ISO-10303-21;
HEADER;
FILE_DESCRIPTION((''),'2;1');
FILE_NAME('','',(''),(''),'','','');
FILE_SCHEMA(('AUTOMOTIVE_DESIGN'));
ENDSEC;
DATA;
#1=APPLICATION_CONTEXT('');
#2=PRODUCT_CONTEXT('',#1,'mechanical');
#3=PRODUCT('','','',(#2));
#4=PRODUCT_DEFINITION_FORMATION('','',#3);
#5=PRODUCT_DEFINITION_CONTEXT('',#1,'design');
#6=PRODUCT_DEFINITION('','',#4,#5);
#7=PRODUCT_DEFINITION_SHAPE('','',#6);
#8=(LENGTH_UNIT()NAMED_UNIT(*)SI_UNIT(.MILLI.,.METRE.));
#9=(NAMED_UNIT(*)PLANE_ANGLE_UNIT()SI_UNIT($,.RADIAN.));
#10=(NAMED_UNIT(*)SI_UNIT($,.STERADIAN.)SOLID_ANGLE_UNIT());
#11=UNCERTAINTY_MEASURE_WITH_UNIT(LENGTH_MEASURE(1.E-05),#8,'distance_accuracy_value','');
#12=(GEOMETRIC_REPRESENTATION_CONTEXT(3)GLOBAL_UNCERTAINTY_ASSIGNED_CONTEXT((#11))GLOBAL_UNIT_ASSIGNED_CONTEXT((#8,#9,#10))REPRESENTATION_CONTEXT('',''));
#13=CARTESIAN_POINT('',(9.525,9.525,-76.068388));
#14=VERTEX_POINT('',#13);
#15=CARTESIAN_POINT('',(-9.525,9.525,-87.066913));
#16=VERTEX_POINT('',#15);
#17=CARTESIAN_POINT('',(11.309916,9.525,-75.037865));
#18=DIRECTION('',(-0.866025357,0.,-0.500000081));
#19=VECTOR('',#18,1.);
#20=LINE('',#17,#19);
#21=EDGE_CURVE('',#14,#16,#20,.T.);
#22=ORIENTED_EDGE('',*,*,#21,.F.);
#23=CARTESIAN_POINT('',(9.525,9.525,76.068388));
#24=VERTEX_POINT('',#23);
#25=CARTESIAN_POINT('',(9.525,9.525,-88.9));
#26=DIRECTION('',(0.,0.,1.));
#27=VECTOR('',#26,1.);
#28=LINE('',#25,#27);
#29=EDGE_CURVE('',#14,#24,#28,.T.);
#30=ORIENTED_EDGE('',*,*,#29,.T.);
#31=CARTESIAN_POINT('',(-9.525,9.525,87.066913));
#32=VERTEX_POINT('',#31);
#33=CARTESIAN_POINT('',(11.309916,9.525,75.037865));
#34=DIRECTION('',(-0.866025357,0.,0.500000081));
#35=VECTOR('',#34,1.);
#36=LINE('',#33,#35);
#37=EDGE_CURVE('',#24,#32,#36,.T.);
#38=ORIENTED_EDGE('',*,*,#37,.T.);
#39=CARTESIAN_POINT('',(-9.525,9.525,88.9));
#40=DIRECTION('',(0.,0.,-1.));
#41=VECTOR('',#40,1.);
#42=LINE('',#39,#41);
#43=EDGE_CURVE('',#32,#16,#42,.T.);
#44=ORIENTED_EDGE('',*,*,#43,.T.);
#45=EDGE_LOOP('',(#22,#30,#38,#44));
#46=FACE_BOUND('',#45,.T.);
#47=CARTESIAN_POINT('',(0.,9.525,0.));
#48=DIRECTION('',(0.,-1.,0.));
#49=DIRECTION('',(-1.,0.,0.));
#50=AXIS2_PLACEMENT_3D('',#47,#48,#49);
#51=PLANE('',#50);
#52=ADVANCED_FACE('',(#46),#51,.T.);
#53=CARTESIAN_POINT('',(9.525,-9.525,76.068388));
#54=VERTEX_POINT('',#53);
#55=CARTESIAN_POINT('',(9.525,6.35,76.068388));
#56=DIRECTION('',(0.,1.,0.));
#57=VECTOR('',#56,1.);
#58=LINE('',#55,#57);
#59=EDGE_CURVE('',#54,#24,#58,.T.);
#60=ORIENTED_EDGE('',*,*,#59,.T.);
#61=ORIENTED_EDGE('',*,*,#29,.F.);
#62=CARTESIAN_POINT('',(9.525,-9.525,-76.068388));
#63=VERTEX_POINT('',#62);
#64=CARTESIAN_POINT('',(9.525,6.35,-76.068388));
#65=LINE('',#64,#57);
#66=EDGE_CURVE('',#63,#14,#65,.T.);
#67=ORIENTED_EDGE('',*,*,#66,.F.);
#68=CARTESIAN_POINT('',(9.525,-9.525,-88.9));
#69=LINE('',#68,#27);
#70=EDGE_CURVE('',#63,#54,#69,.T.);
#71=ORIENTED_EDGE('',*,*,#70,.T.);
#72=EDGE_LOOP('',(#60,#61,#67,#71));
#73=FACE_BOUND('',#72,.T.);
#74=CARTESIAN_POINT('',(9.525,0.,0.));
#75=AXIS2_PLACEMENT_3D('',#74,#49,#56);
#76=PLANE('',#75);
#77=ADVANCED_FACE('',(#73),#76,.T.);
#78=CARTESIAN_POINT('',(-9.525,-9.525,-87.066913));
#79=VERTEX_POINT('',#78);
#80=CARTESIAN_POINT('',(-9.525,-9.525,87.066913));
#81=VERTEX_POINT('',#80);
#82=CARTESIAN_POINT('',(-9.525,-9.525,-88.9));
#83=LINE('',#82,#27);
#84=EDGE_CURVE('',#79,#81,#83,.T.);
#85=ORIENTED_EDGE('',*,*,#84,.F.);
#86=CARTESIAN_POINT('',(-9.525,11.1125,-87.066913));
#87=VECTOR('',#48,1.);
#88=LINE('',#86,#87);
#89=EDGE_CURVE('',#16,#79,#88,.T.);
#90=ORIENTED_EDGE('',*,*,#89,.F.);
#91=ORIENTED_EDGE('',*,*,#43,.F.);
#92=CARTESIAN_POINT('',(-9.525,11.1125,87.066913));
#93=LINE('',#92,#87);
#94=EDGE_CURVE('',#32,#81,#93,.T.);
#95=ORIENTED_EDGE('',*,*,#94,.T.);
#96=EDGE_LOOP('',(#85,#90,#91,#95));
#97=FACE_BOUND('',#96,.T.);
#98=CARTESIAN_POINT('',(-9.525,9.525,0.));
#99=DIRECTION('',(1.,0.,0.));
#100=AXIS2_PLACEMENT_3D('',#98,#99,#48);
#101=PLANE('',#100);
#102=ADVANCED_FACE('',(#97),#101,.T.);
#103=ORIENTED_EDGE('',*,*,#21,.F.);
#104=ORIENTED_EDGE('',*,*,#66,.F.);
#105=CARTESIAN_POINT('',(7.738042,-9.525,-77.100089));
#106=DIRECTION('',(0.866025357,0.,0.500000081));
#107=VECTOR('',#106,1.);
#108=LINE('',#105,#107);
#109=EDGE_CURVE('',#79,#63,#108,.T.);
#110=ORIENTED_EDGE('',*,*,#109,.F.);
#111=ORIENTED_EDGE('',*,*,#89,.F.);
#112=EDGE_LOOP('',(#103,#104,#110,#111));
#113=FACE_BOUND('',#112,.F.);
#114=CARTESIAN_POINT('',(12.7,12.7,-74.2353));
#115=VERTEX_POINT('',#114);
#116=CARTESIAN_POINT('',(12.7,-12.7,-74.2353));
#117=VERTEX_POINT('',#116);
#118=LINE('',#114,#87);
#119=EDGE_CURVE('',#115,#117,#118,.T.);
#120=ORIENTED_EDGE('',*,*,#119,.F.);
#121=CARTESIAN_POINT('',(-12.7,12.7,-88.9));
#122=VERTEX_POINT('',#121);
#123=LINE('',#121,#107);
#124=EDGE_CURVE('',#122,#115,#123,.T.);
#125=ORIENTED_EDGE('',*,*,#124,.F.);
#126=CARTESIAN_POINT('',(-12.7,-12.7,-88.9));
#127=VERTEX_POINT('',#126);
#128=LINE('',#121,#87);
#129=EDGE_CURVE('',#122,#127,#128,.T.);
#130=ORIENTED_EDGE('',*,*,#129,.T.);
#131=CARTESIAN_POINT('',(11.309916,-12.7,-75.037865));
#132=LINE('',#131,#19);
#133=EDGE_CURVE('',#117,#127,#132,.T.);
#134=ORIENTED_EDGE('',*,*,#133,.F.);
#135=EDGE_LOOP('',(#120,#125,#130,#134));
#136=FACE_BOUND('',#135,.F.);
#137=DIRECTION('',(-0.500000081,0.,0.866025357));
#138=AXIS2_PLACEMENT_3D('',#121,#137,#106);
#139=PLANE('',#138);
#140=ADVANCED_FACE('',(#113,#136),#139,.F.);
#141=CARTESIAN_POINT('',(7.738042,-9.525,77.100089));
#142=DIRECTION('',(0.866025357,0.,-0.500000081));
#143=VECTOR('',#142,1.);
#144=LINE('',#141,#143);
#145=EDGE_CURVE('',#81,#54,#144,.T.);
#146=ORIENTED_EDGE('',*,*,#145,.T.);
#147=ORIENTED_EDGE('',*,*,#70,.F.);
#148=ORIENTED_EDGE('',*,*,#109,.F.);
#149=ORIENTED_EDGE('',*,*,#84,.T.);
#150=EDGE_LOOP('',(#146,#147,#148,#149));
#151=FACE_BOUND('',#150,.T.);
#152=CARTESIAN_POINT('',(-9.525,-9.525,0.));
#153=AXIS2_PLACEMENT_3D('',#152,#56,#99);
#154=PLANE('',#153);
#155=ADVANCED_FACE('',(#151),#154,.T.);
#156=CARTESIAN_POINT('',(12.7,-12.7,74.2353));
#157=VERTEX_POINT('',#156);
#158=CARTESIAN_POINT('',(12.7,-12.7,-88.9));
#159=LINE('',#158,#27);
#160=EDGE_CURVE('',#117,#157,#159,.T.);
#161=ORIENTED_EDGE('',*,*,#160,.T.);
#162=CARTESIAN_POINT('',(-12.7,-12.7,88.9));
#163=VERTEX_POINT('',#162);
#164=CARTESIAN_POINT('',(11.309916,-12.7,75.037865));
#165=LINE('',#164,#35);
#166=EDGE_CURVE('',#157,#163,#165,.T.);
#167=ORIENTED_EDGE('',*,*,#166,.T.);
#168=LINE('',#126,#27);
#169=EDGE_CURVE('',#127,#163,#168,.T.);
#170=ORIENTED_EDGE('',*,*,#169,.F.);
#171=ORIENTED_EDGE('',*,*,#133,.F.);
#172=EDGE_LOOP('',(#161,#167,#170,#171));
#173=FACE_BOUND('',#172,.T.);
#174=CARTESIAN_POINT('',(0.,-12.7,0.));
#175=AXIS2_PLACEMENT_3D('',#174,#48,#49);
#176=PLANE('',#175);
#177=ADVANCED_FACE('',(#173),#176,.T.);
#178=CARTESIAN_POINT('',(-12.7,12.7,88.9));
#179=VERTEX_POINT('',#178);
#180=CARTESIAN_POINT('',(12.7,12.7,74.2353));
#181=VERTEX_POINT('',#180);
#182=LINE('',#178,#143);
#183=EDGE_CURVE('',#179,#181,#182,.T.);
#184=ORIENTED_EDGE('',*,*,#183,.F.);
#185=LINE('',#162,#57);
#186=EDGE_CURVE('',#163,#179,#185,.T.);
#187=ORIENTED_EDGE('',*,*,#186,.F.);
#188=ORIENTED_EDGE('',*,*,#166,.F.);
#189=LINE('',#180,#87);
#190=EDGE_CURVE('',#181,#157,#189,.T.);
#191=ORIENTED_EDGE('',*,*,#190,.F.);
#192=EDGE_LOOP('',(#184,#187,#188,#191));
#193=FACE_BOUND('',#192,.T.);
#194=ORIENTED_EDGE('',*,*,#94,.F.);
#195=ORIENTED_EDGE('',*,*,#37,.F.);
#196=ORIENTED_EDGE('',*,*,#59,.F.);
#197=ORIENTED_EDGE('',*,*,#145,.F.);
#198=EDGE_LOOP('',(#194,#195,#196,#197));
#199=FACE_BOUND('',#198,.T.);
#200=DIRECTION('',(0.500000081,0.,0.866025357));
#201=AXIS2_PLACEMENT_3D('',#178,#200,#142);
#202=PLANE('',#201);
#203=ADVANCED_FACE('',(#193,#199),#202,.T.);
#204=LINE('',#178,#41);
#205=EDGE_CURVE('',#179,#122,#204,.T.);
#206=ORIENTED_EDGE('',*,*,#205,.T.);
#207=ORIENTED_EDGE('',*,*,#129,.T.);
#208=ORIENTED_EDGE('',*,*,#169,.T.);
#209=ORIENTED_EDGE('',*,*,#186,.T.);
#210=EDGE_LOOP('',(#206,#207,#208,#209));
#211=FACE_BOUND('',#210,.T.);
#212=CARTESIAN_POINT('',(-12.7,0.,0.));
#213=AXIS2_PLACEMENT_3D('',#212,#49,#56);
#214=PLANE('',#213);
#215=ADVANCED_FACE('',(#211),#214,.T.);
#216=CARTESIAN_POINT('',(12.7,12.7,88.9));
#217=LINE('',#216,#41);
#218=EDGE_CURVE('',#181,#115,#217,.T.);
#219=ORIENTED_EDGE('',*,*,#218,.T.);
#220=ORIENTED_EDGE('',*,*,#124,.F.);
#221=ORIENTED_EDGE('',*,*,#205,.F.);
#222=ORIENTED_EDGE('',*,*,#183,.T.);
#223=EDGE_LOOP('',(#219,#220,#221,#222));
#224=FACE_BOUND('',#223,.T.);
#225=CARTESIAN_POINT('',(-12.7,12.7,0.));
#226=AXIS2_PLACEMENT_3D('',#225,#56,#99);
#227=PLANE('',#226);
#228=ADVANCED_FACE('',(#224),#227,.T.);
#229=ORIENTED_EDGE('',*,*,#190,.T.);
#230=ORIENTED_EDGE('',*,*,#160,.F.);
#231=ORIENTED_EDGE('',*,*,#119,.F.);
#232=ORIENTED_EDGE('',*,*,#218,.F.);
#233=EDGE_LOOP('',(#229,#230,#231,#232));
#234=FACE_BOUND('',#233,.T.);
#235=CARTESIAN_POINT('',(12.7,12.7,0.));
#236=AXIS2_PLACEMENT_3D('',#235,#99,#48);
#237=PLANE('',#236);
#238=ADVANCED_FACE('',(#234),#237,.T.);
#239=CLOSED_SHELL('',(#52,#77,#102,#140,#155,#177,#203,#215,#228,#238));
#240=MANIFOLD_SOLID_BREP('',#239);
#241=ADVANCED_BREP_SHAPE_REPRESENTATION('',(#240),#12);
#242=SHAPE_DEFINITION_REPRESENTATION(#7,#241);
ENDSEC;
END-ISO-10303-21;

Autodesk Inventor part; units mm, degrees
ref_plane "YZ Plane" through (0, 0, 0) normal (1, 0, 0) x (0, 1, 0)
ref_plane "XZ Plane" through (0, 0, 0) normal (0, 1, 0) x (-1, 0, 0)
ref_plane "XY Plane" through (0, 0, 0) normal (0, 0, 1) x (1, 0, 0)
sketch "Sketch1" plane through (0, 0, 0) normal (0, 0, 1) x (1, 0, 0)
  line L0 (-17.78, 0) -> (17.78, 0) projected
  line L1 (0, -17.78) -> (0, 17.78) projected
  line L2 (-12.7, 12.7) -> (12.7, 12.7)
  line L3 (12.7, 12.7) -> (12.7, -12.7)
  line L4 (12.7, -12.7) -> (-12.7, -12.7)
  line L5 (-12.7, -12.7) -> (-12.7, 12.7)
  line L6 (9.525, 9.525) -> (-9.525, 9.525)
  line L7 (-9.525, 9.525) -> (-9.525, -9.525)
  line L8 (-9.525, -9.525) -> (9.525, -9.525)
  line L9 (9.525, -9.525) -> (9.525, 9.525)
  point P0 (0, 0)
  point P1 (-12.7, 0)
  point P2 (0, 12.7)
  dimension "d0" = 25.4
  dimension "d1" = 3.175
extrude "Extrusion1" add sketch "Sketch1" along normal mid plane 177.8 contours L5 L2 L1 L6 L7 L0 | L0 L7 L8 L1 L4 L5 | L1 L8 L9 L0 L3 L4 | L2 L3 L0 L9 L6 L1
sketch "Sketch3" plane through (-12.7, 12.7, 88.9) normal (0, 1, 0) x (1, 0, 0)
  line L0 (0, 0) -> (25.4, 0) projected
  line L1 (25.4, 0) -> (25.4, 177.8) projected
  line L2 (0, 177.8) -> (0, 0) projected
  line L3 (0, 88.9) -> (25.4, 88.9) construction
  line L4 (0, 0) -> (25.4, 14.6647)
  line L5 (0, 0) -> (25.4, 0)
  line L6 (25.4, 0) -> (25.4, 14.6647)
  line L7 (0, 177.8) -> (25.4, 163.1353)
  line L8 (0, 177.8) -> (25.4, 177.8)
  line L9 (25.4, 177.8) -> (25.4, 163.1353)
  point P0 (12.7, 88.9)
  dimension "d7" = 30
extrude "Extrusion3" cut sketch "Sketch3" against normal through all contours L4 L1 L0 | L8 L1 L7
properties part number "tubing_template_0.125" material "Aluminum-6061"
